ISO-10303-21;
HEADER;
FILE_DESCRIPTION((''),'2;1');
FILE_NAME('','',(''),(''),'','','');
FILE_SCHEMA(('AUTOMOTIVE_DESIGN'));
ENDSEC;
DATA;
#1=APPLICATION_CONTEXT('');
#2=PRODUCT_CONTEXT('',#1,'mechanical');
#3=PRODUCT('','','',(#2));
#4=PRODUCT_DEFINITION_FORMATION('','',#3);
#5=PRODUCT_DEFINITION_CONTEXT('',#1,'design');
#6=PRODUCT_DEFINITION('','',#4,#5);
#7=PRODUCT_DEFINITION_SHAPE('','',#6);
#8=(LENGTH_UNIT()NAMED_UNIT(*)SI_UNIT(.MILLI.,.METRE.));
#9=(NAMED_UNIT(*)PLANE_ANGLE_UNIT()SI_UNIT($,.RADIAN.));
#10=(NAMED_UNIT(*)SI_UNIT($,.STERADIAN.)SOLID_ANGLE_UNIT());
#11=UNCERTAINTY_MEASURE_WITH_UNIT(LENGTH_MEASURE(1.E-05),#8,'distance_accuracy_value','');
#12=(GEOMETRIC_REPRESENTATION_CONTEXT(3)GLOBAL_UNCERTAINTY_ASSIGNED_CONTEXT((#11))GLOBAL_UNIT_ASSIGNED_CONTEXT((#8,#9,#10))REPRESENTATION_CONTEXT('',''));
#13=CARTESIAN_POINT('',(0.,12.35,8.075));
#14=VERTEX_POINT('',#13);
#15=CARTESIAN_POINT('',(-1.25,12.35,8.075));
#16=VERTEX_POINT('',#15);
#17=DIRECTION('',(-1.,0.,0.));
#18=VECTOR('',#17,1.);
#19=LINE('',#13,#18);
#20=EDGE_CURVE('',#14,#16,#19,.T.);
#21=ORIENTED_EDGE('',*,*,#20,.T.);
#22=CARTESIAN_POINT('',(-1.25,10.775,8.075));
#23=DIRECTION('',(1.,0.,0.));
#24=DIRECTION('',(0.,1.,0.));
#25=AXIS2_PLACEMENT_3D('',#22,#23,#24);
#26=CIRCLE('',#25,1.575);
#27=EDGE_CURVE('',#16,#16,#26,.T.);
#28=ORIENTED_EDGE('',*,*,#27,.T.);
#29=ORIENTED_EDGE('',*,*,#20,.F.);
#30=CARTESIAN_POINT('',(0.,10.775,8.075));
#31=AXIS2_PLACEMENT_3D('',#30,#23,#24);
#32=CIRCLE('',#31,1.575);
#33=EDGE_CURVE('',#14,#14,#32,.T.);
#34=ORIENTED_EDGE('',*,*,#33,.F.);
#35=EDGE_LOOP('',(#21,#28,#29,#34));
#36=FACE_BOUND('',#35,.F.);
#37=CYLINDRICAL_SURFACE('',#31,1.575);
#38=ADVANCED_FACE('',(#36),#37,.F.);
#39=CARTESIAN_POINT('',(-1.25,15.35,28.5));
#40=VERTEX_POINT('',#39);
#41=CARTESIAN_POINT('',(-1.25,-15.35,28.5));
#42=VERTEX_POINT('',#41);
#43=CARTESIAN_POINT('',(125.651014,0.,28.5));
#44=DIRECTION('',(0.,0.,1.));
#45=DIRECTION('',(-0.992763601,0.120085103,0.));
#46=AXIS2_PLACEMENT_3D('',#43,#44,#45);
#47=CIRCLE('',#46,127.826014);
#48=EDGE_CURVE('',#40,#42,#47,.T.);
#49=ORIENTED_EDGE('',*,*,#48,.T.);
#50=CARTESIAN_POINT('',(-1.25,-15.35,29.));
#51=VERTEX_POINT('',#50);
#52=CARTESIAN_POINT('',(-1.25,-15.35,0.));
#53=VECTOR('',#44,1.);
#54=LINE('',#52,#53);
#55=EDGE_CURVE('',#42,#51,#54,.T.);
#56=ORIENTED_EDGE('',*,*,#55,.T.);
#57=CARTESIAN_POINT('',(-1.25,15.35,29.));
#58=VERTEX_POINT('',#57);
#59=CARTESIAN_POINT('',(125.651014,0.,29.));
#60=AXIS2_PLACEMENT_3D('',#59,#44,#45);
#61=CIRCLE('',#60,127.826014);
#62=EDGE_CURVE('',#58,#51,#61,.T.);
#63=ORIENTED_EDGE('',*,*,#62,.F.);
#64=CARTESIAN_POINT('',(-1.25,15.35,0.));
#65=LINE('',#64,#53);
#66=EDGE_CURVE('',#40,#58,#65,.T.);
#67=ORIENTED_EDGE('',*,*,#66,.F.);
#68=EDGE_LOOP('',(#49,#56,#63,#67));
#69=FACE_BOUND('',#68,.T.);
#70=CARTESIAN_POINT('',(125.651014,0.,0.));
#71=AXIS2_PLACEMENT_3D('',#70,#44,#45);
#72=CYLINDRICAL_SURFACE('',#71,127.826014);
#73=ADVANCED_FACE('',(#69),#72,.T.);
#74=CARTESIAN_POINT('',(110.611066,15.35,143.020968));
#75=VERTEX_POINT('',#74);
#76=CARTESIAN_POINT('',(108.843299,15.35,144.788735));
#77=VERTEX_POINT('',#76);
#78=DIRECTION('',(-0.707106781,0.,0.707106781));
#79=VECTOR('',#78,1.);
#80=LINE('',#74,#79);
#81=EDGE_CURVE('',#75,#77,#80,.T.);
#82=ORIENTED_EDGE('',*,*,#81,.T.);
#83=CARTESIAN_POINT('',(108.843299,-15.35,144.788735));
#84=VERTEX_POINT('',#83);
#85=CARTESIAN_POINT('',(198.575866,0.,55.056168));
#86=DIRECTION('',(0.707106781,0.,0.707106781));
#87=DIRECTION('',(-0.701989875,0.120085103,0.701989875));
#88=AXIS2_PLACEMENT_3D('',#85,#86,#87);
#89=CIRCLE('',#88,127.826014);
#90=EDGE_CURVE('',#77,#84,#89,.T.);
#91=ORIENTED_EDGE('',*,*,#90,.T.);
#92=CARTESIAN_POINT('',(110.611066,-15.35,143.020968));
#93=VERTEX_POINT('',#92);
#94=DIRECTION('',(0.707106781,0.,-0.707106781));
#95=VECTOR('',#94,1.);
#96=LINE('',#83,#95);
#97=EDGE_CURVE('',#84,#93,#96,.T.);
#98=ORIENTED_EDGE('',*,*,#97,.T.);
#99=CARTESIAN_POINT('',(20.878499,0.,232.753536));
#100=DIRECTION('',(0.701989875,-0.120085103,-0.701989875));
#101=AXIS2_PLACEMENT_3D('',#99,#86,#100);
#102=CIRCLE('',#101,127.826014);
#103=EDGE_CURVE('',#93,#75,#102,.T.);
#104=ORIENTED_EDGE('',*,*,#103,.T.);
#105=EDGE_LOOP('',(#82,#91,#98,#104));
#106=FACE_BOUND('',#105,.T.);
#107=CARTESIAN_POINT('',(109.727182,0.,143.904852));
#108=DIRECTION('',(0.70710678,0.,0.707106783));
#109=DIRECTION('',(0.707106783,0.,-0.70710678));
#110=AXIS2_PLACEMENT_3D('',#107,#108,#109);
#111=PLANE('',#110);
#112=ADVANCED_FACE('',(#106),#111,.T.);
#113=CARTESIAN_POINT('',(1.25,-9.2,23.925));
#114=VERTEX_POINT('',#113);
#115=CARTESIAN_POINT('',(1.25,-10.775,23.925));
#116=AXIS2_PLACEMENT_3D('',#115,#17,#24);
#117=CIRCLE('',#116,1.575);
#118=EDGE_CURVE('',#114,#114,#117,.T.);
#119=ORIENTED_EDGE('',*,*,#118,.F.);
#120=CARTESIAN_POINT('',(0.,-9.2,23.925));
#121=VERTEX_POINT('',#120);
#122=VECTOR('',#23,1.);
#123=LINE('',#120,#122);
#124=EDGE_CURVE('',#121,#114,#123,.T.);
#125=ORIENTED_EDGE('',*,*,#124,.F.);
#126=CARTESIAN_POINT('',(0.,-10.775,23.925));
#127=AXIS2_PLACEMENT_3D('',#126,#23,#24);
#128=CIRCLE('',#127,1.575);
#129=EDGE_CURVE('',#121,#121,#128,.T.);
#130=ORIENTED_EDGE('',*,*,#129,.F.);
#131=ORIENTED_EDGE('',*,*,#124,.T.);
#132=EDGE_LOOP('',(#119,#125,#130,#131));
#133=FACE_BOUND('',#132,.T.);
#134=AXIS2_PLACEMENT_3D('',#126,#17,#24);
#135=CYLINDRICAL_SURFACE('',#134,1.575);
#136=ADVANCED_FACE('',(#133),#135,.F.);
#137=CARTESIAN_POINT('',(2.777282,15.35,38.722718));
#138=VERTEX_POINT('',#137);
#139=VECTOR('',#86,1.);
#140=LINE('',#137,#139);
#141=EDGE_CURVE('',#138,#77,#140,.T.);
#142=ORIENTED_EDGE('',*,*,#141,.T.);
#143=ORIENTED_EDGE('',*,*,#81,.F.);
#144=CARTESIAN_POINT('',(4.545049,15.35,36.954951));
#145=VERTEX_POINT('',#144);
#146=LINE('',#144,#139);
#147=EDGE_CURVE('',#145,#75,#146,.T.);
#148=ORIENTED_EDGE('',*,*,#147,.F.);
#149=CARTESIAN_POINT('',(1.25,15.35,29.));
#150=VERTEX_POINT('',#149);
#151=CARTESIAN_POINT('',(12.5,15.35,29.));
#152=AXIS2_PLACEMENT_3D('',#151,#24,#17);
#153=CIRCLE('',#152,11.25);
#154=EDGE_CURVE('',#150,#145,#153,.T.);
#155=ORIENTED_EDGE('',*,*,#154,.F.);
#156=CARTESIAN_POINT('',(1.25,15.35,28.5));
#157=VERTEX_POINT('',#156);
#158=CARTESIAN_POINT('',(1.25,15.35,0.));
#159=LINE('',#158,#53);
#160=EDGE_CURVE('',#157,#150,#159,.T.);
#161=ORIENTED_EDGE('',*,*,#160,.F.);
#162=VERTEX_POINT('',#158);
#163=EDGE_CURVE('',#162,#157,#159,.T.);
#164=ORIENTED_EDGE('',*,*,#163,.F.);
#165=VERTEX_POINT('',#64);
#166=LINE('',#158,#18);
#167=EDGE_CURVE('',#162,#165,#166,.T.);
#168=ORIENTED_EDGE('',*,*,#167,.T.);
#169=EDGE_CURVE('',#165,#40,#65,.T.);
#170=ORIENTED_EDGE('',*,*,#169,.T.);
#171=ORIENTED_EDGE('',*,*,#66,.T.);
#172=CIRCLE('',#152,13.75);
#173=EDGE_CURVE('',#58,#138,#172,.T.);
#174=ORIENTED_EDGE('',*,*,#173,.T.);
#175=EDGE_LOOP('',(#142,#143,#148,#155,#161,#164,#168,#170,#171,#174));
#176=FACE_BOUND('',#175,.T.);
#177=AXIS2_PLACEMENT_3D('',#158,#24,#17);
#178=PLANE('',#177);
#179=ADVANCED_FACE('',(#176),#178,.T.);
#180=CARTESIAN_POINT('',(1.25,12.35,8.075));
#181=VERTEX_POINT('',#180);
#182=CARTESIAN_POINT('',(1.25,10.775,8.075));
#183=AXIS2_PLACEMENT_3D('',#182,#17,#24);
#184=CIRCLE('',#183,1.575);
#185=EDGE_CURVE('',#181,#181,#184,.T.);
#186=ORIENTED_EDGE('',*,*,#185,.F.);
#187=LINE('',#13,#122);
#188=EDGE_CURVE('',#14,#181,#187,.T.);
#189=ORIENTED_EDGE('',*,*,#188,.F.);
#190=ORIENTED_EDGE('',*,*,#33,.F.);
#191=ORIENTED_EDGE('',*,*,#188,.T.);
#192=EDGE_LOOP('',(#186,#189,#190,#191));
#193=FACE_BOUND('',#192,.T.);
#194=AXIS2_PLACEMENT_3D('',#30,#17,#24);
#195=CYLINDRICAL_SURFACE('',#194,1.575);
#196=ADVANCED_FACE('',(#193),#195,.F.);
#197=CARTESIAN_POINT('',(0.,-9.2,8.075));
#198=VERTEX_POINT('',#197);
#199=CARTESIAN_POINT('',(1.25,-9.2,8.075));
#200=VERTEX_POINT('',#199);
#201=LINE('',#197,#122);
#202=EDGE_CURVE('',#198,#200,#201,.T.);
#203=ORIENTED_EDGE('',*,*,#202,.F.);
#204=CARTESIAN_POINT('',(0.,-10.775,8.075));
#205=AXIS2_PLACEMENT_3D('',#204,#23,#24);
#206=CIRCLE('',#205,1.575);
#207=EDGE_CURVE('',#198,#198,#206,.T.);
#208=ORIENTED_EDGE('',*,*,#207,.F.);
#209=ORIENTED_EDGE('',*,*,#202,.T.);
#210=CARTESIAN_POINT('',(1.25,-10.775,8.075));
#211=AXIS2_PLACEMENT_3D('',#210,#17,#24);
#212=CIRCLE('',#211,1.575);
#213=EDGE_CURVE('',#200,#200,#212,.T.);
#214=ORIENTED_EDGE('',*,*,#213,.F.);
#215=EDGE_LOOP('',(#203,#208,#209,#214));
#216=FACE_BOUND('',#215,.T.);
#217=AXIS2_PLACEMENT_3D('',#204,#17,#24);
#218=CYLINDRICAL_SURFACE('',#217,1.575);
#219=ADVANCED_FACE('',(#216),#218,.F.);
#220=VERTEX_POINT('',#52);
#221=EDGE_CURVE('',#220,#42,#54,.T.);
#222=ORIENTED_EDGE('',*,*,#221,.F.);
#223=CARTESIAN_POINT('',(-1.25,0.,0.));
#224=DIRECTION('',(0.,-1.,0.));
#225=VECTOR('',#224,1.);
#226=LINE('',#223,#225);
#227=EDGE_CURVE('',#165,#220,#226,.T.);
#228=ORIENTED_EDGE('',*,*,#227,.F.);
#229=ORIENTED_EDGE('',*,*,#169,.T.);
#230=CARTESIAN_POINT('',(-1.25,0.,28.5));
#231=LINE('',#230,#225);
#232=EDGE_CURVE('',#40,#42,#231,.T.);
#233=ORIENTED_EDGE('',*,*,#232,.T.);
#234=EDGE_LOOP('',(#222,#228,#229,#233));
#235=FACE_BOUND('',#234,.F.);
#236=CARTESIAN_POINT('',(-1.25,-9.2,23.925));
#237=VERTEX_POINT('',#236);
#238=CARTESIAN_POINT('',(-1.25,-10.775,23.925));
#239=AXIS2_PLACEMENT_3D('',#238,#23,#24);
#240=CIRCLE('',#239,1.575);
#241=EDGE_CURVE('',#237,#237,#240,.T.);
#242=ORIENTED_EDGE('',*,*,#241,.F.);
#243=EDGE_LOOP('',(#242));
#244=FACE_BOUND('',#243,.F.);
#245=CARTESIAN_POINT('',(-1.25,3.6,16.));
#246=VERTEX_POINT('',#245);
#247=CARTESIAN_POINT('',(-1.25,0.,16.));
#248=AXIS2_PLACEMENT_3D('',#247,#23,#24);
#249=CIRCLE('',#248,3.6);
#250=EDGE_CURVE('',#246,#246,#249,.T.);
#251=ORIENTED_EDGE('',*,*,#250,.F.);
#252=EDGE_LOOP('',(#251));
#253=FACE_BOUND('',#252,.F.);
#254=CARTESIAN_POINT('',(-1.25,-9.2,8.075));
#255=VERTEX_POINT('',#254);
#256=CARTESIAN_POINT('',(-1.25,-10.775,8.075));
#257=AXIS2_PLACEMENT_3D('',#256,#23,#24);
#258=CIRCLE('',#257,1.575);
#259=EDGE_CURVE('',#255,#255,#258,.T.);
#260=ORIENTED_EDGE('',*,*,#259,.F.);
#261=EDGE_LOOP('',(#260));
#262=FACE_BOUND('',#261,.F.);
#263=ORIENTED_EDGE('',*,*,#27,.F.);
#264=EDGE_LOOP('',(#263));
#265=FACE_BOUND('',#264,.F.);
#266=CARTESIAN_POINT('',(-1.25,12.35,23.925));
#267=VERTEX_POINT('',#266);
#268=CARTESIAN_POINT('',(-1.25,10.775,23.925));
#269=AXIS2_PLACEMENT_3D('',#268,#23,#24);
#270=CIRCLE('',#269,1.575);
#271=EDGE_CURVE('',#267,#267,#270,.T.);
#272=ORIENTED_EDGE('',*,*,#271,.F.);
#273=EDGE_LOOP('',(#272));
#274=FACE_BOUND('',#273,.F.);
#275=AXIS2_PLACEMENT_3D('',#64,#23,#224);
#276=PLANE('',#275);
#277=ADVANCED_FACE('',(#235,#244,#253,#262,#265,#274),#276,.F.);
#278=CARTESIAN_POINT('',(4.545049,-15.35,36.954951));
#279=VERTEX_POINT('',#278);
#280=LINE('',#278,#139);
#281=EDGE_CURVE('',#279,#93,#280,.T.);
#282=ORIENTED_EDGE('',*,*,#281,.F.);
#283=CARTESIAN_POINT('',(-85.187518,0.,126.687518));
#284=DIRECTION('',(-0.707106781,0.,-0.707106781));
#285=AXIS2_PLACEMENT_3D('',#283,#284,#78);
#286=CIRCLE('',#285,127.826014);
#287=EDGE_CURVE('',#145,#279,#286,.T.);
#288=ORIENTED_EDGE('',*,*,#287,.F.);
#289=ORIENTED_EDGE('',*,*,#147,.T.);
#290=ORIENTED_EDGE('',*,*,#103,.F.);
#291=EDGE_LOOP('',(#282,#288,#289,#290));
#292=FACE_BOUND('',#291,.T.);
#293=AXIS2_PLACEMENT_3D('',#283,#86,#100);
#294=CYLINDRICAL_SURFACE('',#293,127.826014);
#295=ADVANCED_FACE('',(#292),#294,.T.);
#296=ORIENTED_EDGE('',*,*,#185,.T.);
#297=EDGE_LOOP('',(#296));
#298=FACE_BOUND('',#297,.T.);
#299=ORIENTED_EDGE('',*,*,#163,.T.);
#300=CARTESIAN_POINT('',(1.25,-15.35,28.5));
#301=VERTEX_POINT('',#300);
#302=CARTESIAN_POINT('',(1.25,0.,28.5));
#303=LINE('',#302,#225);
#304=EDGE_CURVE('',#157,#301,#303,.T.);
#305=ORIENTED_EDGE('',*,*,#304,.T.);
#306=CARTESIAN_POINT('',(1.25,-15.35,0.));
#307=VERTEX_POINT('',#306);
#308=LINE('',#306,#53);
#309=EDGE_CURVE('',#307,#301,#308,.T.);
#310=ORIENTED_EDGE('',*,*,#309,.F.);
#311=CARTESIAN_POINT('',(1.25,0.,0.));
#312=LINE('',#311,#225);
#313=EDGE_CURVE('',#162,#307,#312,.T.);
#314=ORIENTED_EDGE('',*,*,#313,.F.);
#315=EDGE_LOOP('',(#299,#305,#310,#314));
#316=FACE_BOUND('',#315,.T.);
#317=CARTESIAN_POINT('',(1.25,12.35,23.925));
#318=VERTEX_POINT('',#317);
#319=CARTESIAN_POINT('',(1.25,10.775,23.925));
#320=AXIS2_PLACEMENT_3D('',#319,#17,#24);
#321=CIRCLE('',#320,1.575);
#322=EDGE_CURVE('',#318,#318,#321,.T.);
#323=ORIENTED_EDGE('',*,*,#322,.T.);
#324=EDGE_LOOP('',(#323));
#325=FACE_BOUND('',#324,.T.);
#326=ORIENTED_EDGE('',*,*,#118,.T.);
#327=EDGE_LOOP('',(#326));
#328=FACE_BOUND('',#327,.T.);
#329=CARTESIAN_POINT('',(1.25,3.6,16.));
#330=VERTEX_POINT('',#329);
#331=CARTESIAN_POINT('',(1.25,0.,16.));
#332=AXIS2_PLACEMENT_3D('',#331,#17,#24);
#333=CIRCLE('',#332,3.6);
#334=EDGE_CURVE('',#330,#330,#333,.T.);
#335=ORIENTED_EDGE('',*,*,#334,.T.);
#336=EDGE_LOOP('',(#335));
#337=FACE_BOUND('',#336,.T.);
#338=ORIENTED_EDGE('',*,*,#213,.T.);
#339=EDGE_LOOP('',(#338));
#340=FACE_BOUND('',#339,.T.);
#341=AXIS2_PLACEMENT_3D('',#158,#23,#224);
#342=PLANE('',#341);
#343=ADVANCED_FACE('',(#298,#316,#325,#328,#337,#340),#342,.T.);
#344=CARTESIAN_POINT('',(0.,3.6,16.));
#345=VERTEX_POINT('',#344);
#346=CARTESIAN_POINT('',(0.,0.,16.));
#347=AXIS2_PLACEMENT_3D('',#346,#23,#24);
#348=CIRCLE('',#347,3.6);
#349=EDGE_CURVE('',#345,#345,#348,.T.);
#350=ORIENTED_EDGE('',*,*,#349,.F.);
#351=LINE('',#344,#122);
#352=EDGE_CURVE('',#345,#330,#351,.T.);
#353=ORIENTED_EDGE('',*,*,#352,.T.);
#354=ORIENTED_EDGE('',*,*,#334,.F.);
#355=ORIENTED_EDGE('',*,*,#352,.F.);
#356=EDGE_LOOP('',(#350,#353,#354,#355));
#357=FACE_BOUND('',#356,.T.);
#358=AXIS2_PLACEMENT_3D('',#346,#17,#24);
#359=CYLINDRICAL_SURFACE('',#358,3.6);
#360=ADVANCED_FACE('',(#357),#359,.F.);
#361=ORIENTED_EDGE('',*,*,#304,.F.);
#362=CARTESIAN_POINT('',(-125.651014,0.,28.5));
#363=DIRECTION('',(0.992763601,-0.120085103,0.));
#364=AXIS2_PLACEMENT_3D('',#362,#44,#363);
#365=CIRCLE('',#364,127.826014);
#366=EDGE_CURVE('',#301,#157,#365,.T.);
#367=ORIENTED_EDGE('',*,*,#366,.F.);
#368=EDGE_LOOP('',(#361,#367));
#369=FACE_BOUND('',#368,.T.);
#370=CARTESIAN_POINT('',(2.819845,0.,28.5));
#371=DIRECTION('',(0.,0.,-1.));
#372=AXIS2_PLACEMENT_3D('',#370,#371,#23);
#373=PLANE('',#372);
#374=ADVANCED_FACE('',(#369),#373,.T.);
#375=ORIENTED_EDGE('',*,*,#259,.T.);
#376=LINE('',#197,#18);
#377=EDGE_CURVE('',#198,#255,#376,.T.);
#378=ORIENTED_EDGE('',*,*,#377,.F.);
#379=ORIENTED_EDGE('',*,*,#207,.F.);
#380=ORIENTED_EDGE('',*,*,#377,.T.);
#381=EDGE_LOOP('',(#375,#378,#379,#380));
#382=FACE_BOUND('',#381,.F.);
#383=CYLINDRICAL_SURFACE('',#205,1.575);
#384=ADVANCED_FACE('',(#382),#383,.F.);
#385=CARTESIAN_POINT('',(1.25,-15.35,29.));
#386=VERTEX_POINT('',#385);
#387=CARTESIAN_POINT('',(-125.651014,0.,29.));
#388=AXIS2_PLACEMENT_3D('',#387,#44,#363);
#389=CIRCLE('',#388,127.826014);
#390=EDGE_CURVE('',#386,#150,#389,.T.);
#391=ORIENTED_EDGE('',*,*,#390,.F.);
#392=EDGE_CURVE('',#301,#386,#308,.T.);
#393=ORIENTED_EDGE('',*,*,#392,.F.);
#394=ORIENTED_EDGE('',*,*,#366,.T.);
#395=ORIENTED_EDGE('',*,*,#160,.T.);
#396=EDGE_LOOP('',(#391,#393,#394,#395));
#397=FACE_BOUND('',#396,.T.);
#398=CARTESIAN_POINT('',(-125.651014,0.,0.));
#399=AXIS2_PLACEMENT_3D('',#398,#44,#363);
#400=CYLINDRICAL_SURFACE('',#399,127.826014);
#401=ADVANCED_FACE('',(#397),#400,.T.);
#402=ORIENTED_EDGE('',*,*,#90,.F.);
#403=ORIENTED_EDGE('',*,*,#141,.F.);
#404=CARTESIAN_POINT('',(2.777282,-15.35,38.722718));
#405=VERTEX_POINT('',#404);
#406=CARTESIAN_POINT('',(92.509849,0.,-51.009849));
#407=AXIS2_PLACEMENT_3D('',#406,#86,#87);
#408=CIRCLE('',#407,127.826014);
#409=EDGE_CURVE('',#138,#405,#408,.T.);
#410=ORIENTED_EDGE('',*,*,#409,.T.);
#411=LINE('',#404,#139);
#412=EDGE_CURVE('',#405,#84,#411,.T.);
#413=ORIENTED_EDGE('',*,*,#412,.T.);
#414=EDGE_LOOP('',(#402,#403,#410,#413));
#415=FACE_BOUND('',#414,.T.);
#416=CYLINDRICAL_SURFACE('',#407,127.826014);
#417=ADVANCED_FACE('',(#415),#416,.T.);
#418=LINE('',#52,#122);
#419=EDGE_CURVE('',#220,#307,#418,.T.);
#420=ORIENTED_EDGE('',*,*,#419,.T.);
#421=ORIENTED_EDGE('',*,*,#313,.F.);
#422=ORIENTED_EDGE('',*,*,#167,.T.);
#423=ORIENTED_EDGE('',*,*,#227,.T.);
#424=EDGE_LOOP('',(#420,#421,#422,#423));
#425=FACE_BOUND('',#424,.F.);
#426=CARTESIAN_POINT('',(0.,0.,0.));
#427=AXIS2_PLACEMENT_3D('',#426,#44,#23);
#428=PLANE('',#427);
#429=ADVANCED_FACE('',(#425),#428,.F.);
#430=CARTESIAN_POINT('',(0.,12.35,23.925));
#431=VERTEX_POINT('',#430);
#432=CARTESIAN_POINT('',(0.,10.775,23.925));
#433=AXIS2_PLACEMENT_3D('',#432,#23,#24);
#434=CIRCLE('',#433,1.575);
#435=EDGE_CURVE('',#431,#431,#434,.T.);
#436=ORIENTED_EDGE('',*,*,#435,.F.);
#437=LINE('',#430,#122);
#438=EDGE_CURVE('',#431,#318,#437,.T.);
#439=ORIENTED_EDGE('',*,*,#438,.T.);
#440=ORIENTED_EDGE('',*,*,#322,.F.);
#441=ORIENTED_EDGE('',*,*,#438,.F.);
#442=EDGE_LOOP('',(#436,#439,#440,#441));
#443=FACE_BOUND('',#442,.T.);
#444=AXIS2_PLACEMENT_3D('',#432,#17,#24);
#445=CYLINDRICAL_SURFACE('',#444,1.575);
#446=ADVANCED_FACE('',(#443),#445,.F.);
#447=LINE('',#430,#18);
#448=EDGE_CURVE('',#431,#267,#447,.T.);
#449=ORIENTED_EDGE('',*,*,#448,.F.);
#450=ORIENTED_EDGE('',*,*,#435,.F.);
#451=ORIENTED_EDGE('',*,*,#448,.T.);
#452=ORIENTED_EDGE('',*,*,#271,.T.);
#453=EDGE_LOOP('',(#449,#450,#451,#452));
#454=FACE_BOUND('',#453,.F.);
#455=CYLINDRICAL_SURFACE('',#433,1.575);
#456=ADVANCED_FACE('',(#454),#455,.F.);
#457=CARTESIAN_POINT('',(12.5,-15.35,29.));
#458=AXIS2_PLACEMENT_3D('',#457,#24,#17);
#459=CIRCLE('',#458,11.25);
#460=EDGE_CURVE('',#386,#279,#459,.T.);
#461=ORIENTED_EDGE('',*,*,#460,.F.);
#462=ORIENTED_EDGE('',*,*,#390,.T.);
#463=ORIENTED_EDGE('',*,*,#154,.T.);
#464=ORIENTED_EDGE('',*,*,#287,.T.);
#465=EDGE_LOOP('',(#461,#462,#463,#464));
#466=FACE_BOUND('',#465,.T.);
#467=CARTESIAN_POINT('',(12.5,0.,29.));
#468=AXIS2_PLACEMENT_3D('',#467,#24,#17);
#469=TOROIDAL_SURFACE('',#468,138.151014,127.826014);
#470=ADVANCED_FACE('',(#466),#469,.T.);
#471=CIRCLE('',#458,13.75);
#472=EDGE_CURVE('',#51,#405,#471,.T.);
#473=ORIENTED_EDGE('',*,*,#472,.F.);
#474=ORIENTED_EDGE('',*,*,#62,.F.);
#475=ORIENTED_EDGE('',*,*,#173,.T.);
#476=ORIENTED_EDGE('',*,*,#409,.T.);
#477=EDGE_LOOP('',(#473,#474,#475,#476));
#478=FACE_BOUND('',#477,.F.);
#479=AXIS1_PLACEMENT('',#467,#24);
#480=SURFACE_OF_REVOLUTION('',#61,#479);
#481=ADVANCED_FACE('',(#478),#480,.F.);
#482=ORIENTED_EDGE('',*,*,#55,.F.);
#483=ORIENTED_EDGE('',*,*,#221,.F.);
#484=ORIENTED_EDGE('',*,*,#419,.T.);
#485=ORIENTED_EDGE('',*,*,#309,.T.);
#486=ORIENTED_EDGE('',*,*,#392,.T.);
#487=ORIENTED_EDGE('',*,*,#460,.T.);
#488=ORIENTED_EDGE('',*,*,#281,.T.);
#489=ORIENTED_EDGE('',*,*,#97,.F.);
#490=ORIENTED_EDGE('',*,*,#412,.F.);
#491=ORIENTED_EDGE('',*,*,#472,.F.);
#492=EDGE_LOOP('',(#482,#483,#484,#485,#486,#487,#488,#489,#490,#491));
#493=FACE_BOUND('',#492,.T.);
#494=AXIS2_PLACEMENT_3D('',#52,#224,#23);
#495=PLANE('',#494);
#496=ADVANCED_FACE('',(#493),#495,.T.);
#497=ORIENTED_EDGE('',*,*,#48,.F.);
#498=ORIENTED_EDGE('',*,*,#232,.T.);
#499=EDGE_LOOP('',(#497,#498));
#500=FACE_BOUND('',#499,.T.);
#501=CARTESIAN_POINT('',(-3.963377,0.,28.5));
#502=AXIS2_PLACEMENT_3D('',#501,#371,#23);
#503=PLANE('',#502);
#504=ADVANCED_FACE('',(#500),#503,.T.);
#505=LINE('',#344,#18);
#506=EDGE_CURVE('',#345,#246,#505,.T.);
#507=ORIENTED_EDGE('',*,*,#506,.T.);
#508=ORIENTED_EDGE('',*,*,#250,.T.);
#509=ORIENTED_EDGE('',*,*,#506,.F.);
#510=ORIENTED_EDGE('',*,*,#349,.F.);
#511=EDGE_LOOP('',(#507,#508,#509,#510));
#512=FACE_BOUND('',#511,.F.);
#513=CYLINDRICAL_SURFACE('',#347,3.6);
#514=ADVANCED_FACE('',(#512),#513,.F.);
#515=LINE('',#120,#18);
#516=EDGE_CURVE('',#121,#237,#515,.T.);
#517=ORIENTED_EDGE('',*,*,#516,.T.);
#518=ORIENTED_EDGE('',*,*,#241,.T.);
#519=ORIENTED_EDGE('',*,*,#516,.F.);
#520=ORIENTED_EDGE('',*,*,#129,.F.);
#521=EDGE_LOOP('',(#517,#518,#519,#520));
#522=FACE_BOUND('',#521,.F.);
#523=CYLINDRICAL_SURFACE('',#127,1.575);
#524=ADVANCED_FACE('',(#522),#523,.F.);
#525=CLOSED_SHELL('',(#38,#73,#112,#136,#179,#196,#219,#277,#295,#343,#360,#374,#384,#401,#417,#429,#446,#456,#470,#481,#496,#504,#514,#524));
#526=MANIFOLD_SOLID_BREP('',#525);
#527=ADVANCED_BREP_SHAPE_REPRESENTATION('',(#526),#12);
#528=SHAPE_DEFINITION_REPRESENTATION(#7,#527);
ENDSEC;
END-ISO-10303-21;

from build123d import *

# Parameters (mm, degrees)
F3_W          = 5.4267539829
F3_H          = 30.7
F3_W_2        = 3.1396893039
F4_DEPTH      = 28.5
F5_R          = 3.6
F6_DEPTH      = 111.2661396622
F6_DEPTH_BACK = 2.1760001
F7_R          = 1.575
F8_DEPTH      = 2.1760001
F8_DEPTH_BACK = 111.2661396622


with BuildPart() as f2:
    # F2: sweep along a path in F0
    with BuildLine(Plane.XZ) as f2_path:
        Line((0, 0), (0, 29))
        ThreePointArc((0, 29), (0.9515058436, 33.7835429046), (3.6611652352, 37.8388347648))
        Line((3.6611652352, 37.8388347648), (109.7271824132, 143.9048519428))
    # F1 (on Top) → F2 (sweep)
    with BuildSketch(Plane.XY):
        with BuildLine():
            ThreePointArc((-1.25, 15.35), (-2.175, 0), (-1.25, -15.35))
            Line((-1.25, -15.35), (1.25, -15.35))
            ThreePointArc((1.25, -15.35), (2.175, 0), (1.25, 15.35))
            Line((1.25, 15.35), (-1.25, 15.35))
        make_face()
    sweep(path=f2_path.line)

    # F3 (on face) → F4 (cut)
    with BuildSketch(Plane(origin=(0, 0, 0), x_dir=(1, 0, 0), z_dir=(0, 0, -1))):
        with Locations((-3.9633769915, 0)):
            Rectangle(F3_W, F3_H)
        with Locations((2.819844652, 0)):
            Rectangle(F3_W_2, F3_H)
    extrude(amount=-F4_DEPTH, mode=Mode.SUBTRACT)

    # F5 (on Right) → F6 (cut, two sides)
    with BuildSketch(Plane.YZ) as f6_sk:
        with Locations((0, 16)):
            Circle(F5_R)
    extrude(amount=F6_DEPTH, mode=Mode.SUBTRACT)
    extrude(f6_sk.sketch, amount=-F6_DEPTH_BACK, mode=Mode.SUBTRACT)

    # F7 (on Right) → F8 (cut, two sides)
    with BuildSketch(Plane.YZ) as f8_sk:
        with Locations((-10.775, 23.925)):
            Circle(F7_R)
        with Locations((10.775, 23.925)):
            Circle(F7_R)
        with Locations((10.775, 8.075)):
            Circle(F7_R)
        with Locations((-10.775, 8.075)):
            Circle(F7_R)
    extrude(amount=-F8_DEPTH, mode=Mode.SUBTRACT)
    extrude(f8_sk.sketch, amount=F8_DEPTH_BACK, mode=Mode.SUBTRACT)


solid = f2.part
